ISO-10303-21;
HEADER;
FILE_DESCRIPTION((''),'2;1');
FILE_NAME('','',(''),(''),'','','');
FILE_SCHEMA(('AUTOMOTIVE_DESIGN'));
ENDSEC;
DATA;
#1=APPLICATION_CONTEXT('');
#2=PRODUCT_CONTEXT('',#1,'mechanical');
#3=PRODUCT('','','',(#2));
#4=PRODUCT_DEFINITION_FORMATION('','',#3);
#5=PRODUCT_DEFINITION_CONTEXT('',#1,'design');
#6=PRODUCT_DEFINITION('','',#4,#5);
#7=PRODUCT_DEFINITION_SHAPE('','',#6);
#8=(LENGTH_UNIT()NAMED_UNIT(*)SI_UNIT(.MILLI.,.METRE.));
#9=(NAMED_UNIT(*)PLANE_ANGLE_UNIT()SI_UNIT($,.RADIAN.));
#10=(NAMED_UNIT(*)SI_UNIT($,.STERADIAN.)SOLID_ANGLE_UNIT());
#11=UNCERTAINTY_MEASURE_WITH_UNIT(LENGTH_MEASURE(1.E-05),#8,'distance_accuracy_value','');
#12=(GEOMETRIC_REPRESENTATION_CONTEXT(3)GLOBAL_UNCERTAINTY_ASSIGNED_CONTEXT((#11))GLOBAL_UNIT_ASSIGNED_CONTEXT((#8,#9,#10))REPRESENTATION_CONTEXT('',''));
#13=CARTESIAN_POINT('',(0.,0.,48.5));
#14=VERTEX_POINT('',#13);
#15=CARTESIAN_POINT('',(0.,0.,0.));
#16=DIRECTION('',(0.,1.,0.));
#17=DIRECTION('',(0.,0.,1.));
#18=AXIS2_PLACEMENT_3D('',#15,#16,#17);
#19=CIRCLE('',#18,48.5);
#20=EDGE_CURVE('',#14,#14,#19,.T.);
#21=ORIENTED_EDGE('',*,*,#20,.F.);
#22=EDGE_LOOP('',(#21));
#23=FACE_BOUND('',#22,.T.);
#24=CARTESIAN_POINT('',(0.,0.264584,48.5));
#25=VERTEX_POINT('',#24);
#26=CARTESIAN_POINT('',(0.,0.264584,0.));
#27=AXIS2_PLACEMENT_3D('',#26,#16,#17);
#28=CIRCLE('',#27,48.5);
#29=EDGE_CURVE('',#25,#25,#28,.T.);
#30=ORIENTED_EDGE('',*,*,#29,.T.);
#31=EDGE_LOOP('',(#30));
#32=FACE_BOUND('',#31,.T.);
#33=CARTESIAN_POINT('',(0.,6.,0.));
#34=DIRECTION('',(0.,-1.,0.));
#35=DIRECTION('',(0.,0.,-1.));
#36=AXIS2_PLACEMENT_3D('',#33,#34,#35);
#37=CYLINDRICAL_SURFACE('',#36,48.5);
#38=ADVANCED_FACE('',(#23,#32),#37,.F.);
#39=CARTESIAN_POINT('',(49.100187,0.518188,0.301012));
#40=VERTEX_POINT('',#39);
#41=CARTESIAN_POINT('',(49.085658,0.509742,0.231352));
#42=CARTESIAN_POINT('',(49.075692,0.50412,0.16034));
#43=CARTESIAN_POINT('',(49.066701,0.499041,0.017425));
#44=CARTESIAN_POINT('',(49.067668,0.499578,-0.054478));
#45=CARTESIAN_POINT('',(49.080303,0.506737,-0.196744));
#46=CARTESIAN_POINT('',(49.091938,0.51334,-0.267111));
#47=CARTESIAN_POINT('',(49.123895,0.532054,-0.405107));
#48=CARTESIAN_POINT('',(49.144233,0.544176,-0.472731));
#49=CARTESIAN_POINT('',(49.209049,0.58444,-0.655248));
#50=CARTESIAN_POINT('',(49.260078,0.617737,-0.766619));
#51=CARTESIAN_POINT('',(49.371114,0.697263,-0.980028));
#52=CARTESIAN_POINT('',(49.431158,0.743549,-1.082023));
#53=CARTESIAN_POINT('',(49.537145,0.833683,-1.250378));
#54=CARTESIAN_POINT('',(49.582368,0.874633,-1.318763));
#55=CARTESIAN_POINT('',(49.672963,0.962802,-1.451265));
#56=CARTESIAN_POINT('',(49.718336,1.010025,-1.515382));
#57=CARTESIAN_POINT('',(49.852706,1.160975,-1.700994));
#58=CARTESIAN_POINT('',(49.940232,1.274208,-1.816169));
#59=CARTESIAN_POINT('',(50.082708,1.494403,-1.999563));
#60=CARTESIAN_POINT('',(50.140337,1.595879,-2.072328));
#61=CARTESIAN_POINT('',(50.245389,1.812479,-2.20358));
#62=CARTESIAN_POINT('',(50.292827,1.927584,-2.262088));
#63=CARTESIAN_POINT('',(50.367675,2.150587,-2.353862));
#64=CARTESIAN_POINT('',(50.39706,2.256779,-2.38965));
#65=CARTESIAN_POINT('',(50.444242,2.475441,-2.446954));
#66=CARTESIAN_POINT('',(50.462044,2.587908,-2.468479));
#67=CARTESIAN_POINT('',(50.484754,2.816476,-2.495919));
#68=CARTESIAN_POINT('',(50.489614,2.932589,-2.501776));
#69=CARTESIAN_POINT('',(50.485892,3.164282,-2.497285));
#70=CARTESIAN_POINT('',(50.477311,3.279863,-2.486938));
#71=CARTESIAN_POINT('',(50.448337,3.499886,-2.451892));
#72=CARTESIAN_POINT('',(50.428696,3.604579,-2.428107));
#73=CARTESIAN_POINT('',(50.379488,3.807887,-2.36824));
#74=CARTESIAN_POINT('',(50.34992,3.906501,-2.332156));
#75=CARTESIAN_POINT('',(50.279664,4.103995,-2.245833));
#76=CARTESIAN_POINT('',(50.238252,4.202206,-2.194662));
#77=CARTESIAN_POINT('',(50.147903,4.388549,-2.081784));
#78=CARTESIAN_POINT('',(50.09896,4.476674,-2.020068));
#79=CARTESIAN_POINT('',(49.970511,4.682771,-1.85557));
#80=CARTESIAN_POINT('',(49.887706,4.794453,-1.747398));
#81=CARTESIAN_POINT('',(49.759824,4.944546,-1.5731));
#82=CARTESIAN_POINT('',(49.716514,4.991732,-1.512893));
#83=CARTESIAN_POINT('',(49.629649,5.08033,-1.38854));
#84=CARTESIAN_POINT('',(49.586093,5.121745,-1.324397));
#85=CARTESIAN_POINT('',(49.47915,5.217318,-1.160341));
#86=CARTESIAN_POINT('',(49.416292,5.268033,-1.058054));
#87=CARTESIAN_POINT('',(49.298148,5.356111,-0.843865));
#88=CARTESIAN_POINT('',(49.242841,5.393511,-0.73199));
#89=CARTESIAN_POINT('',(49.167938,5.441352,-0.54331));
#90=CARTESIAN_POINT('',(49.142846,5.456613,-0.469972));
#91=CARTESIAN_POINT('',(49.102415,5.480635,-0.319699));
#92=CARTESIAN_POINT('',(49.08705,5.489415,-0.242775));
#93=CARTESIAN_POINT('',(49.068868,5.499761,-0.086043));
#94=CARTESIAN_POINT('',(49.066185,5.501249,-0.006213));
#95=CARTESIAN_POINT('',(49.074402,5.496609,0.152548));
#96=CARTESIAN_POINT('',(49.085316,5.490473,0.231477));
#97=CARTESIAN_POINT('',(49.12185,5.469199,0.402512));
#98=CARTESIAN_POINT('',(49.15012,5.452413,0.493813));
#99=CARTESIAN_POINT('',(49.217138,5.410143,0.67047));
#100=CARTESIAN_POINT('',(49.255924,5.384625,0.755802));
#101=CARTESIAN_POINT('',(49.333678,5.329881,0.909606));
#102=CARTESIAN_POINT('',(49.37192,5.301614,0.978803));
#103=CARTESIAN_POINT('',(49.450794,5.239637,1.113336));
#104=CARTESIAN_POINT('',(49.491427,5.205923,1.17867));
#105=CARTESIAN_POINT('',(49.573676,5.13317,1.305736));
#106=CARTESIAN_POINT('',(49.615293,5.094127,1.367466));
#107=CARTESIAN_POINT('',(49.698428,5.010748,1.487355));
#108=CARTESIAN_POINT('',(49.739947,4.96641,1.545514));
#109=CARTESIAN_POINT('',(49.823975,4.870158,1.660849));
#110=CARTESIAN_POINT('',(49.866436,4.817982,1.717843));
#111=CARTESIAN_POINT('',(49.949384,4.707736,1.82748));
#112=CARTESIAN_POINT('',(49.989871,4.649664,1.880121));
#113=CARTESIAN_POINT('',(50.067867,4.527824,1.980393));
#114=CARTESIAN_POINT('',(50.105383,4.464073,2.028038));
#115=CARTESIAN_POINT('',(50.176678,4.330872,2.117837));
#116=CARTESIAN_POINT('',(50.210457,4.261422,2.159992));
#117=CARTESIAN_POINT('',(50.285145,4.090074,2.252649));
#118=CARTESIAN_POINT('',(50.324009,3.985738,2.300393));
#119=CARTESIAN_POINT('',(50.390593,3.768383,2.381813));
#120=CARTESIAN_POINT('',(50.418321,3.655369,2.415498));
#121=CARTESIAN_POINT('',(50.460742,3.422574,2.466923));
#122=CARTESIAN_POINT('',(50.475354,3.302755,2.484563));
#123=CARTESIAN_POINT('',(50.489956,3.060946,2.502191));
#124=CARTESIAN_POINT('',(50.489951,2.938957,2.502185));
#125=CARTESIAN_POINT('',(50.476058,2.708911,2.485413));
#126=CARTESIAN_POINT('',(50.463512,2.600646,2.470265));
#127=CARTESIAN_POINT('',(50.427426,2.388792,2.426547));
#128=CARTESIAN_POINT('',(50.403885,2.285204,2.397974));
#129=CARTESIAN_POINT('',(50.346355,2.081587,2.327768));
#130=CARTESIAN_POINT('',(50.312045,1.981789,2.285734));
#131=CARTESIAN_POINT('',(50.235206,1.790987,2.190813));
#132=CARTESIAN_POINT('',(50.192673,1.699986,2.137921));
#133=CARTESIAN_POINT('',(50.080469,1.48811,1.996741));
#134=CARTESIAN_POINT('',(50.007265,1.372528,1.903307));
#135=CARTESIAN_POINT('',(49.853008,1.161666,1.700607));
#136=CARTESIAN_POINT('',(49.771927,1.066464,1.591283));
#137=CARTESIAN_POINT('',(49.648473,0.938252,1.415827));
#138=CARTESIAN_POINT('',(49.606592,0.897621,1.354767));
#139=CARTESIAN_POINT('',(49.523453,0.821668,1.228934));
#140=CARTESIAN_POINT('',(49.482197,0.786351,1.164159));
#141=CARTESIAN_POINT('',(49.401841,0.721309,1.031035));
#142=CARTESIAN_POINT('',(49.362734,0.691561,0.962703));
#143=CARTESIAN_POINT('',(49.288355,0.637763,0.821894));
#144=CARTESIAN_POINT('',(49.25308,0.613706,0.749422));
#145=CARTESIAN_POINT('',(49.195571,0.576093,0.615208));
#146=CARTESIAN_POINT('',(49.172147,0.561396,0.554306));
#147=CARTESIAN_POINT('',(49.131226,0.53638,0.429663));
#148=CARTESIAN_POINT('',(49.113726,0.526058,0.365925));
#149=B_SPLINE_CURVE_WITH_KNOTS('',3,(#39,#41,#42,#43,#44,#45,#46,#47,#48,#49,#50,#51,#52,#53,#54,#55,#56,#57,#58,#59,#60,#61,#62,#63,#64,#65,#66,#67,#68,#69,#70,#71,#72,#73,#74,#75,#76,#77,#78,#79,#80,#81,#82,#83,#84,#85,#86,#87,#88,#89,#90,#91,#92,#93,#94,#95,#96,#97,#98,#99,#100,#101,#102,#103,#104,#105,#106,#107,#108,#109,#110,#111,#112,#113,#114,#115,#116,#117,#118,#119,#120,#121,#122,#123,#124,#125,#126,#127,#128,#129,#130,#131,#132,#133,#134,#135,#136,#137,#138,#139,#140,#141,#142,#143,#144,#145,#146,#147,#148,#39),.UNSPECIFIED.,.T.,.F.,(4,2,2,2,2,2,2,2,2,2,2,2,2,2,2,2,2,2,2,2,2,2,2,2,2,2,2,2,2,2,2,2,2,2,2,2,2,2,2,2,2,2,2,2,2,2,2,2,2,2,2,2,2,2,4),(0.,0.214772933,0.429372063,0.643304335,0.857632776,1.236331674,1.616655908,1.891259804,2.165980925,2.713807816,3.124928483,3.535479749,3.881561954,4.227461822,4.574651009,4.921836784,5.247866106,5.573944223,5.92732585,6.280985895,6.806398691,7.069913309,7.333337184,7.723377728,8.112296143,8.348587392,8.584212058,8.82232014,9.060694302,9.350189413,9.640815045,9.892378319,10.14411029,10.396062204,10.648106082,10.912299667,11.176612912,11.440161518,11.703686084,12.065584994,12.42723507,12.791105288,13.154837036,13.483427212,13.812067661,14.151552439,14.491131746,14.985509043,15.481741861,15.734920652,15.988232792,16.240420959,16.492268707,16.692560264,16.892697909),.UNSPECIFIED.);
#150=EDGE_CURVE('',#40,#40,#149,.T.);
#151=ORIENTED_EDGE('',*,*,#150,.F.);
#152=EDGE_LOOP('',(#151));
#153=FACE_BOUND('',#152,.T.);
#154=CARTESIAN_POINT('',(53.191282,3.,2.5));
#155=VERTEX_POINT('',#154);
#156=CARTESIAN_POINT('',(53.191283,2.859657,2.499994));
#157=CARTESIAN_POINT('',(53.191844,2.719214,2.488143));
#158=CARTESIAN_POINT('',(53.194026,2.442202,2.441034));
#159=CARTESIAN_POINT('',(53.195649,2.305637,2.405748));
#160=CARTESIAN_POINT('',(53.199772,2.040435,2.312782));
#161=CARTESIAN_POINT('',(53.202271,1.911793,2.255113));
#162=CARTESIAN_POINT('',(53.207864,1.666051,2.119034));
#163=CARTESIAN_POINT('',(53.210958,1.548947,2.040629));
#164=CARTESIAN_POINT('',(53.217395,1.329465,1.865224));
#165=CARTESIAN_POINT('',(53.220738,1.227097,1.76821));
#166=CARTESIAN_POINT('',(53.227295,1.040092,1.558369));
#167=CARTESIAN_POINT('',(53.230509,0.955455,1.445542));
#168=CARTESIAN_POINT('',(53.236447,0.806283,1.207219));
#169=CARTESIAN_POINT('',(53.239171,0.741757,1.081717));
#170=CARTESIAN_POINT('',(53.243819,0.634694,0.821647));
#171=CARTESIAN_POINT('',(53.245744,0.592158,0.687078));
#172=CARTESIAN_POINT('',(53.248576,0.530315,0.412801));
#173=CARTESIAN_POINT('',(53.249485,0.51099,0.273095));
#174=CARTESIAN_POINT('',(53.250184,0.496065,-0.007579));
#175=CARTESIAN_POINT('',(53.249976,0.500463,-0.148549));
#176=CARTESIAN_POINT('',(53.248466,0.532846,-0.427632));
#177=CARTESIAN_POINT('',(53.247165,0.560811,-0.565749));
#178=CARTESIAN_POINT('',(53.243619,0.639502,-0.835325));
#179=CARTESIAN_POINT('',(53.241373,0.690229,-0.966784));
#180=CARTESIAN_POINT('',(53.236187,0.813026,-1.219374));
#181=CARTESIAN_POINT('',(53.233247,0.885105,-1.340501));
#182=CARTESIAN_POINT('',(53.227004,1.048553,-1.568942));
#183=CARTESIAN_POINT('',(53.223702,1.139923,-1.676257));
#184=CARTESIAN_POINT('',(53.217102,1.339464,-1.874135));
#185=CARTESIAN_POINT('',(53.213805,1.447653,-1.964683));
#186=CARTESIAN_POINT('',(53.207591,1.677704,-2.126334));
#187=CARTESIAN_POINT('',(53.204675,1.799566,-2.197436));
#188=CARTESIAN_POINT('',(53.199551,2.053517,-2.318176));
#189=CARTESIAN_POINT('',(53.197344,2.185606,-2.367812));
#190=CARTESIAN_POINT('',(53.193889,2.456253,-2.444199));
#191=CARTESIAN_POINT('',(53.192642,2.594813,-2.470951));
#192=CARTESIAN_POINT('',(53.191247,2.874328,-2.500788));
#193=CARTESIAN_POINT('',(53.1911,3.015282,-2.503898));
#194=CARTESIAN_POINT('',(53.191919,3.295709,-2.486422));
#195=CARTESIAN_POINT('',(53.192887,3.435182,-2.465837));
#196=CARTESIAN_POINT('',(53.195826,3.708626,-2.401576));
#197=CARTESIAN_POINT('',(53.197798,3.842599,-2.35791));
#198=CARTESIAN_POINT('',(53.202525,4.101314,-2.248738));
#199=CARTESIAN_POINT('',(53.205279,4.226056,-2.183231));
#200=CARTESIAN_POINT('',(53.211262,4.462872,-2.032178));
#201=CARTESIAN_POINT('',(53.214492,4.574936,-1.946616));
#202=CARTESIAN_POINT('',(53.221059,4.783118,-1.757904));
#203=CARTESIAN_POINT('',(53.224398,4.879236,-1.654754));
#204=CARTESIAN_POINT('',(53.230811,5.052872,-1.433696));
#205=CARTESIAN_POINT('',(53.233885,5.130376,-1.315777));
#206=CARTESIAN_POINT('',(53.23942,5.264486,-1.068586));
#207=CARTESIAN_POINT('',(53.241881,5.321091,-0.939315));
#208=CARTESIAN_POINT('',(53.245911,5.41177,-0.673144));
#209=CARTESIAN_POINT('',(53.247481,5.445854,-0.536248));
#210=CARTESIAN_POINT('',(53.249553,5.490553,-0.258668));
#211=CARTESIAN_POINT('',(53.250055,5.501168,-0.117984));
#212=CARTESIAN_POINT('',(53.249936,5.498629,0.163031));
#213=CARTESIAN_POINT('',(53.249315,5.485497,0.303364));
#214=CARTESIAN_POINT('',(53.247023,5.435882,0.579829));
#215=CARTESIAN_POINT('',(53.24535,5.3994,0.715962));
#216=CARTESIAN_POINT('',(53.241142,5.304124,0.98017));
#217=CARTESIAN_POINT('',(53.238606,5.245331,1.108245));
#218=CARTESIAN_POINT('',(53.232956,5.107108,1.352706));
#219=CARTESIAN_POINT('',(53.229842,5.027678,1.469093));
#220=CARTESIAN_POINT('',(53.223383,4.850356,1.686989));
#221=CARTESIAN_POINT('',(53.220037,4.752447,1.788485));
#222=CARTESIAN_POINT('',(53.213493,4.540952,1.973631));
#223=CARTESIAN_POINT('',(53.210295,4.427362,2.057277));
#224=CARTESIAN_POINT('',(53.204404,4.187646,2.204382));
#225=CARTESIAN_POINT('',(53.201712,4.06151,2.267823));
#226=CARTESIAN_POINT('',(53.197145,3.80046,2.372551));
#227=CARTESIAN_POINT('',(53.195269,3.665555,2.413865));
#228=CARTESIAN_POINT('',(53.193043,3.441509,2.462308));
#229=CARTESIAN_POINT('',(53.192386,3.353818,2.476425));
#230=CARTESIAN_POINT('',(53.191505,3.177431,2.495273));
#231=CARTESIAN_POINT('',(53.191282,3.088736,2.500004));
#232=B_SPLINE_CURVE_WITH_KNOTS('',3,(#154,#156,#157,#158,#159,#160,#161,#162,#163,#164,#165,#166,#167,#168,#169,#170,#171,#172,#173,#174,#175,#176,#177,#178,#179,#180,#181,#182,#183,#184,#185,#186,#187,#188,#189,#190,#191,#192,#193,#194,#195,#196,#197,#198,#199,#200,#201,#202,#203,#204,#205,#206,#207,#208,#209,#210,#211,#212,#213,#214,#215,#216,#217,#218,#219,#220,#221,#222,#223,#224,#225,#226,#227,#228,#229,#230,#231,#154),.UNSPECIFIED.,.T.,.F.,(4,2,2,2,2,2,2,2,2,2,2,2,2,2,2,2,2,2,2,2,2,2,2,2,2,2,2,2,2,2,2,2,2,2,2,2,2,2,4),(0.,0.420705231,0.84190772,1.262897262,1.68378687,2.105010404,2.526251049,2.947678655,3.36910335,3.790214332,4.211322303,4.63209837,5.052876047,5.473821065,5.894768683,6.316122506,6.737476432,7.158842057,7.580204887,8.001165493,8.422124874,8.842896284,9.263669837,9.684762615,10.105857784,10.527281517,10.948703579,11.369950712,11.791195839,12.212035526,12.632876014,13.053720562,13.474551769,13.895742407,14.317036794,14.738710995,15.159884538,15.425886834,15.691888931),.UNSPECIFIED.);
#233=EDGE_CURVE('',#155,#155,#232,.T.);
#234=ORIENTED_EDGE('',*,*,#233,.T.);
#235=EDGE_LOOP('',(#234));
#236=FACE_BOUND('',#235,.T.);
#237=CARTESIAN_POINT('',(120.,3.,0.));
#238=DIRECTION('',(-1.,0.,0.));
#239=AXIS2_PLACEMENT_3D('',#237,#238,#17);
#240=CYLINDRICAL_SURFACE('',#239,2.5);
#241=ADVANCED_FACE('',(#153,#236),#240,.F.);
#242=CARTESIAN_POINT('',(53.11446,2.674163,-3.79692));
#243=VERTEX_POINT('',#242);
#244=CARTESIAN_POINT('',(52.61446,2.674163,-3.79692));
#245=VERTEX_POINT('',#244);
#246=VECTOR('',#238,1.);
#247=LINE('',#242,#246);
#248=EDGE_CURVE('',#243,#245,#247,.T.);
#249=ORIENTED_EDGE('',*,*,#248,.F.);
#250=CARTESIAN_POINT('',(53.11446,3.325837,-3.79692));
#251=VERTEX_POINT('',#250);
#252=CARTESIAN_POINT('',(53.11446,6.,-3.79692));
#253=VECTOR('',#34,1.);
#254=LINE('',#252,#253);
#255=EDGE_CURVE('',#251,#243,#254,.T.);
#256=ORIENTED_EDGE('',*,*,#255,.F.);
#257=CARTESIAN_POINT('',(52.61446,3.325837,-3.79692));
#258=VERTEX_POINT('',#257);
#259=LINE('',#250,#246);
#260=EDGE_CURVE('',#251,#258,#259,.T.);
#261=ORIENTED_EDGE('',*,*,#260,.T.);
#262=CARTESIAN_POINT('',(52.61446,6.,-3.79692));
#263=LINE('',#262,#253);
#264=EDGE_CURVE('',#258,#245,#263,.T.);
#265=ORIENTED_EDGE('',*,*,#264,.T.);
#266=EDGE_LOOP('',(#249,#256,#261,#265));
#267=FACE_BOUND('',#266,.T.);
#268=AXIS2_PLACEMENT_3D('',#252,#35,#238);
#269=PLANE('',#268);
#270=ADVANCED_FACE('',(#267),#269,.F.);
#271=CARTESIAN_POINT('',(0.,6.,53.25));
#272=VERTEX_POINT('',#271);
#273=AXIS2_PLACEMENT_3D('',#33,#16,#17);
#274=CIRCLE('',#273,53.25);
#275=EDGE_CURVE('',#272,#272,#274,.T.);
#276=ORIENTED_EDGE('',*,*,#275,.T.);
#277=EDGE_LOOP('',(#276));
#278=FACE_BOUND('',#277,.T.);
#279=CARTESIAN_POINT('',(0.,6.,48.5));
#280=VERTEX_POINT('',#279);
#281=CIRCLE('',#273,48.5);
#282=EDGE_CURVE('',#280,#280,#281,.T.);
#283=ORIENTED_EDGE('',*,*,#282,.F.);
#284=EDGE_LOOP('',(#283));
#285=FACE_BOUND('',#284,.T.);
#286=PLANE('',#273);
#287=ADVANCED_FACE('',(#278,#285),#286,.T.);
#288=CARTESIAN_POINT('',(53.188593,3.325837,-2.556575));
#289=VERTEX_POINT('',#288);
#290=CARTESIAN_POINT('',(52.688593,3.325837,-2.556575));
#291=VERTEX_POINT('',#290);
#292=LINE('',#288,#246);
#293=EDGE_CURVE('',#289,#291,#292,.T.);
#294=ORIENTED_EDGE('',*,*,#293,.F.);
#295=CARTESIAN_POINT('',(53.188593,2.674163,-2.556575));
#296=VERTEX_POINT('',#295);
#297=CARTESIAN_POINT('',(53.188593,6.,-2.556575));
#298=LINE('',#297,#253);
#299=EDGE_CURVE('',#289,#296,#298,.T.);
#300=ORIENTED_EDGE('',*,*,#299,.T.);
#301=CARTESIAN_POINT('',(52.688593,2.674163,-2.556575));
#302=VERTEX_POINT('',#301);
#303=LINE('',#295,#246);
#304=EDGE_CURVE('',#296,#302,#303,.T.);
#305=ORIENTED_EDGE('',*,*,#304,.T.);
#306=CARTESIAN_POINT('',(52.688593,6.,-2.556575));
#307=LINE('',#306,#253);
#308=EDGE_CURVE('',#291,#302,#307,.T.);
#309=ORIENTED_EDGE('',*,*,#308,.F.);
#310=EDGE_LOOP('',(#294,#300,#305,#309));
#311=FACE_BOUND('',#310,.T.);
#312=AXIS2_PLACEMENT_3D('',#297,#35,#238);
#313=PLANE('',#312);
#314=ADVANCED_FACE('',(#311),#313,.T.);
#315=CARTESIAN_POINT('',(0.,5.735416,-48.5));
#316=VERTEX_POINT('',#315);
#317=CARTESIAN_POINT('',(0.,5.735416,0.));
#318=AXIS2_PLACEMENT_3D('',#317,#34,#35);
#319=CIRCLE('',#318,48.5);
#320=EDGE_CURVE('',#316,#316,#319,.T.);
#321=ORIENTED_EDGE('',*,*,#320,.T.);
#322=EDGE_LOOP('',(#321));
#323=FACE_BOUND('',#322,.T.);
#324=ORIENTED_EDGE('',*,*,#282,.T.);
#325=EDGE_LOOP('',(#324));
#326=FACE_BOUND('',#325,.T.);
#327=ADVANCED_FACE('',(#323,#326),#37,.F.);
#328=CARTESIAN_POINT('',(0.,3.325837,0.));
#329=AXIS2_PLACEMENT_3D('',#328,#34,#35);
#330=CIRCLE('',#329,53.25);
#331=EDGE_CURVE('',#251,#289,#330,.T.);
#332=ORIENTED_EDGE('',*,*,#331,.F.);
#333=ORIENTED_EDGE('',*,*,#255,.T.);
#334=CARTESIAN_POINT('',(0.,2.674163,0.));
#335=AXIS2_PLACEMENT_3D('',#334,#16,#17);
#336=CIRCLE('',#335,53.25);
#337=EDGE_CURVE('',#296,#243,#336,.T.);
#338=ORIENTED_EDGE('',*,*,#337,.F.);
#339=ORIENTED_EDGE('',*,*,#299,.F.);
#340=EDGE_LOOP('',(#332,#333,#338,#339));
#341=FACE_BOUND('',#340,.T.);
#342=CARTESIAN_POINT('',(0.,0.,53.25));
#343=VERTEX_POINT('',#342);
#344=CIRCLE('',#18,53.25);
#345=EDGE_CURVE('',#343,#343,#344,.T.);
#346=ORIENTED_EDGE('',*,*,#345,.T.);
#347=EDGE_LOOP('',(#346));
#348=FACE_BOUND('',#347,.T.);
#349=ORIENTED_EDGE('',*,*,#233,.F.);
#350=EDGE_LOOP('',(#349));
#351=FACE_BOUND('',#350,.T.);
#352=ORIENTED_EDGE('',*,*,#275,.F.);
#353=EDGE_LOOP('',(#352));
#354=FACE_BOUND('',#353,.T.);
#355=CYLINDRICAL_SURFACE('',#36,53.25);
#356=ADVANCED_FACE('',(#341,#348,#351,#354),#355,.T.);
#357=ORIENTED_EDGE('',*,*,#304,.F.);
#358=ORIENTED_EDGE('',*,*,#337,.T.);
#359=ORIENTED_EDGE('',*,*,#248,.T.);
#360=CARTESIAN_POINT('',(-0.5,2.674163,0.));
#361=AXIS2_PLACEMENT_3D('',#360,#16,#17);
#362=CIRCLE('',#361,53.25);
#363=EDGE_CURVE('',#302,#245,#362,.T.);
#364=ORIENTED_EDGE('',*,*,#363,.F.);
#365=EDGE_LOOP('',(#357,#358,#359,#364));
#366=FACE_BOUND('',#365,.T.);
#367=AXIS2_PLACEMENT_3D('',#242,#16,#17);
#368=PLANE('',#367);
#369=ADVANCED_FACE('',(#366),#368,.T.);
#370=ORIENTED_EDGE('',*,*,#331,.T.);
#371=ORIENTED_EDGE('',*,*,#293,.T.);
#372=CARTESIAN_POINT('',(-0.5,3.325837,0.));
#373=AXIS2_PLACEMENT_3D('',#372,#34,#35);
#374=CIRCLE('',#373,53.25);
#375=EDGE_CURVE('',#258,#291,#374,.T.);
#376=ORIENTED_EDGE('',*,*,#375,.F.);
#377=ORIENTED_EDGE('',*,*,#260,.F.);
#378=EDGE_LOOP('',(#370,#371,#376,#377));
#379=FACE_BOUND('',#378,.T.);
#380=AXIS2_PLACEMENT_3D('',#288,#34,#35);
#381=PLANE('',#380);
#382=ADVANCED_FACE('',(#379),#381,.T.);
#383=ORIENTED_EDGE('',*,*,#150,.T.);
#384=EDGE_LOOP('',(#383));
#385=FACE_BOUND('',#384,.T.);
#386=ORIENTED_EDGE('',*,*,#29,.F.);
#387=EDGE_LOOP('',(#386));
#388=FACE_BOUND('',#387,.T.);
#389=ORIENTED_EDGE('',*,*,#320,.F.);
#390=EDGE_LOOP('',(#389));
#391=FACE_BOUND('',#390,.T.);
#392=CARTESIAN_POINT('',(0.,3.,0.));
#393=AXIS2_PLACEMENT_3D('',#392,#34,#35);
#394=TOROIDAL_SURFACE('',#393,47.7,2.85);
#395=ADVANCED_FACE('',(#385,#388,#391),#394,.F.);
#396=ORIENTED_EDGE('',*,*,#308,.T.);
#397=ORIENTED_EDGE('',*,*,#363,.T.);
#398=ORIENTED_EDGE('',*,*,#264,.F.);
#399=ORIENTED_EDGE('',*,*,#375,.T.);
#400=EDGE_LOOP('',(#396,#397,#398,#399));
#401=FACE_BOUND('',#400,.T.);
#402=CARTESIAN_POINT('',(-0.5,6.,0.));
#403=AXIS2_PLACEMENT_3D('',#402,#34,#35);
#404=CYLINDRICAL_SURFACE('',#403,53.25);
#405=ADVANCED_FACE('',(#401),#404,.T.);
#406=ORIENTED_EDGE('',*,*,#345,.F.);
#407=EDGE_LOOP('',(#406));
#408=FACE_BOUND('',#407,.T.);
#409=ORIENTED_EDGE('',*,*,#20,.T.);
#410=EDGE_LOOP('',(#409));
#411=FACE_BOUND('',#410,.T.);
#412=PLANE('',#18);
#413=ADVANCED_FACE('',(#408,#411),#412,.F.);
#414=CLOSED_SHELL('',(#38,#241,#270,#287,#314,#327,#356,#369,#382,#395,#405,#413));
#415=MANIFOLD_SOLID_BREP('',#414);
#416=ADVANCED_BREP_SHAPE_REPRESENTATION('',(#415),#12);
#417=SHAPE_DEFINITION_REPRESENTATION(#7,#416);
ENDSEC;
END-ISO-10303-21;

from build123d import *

# Parameters (mm, degrees)
SKETCH1_R                 = 53.25
SKETCH1_R_2               = 48.5
BOSS_EXTRUDE1_DEPTH       = 6
SKETCH3_R                 = 2.85
SKETCH4_R                 = 2.5
CUT_EXTRUDE1_DEPTH        = 120
CUT_EXTRUDE2_REACH        = 78.046
CUT_EXTRUDE2_START_RADIUS = 53.25
CUT_EXTRUDE2_END_RADIUS   = 53.25
SKETCH6_W                 = 1.240344628
SKETCH6_H                 = 0.651674146


with BuildPart() as part:
    # Sketch1 → Boss-Extrude1 (new body)
    with BuildSketch(Plane(origin=(0, 0, 0), x_dir=(1, 0, 0), z_dir=(0, 1, 0))):
        with Locations(Location((0, 0, 0), (0, 0, 270))):
            Circle(SKETCH1_R)
        with Locations(Location((0, 0, 0), (0, 0, 270))):
            Circle(SKETCH1_R_2, mode=Mode.SUBTRACT)
    extrude(amount=BOSS_EXTRUDE1_DEPTH)

    # Sketch3 → Cut-Revolve1 (revolve, cut)
    with BuildSketch(Plane.XY, mode=Mode.PRIVATE) as cut_revolve1_sk:
        with Locations((-47.7, 3)):
            Circle(SKETCH3_R)
    revolve(cut_revolve1_sk.sketch.rotate(Axis((0, 0, 0), (0, 1, 0)), 270), axis=Axis((0, 0, 0), (0, 1, 0)), mode=Mode.SUBTRACT)

    # Sketch4 → Cut-Extrude1 (cut)
    with BuildSketch(Plane(origin=(0, 0, 0), x_dir=(0, 0, -1), z_dir=(1, 0, 0))):
        with Locations(Location((0, 3, 0), (0, 0, 180))):
            Circle(SKETCH4_R)
    extrude(amount=CUT_EXTRUDE1_DEPTH, mode=Mode.SUBTRACT)

    # Cut-Extrude2: from a cylinder face, 78.046 long prism both ways, kept between that surface and its translate by the depth
    cut_extrude2_start = Plane(origin=(0, 3, 0), z_dir=(0, -1, 0)) * Cylinder(CUT_EXTRUDE2_START_RADIUS, 263.592, mode=Mode.PRIVATE)
    cut_extrude2_end = Plane(origin=(-0.5, 3, 0), z_dir=(0, -1, 0)) * Cylinder(CUT_EXTRUDE2_END_RADIUS, 263.592, mode=Mode.PRIVATE)
    # Sketch6 → Cut-Extrude2 (cut, from a surface)
    with BuildSketch(Plane(origin=(0, 0, 0), x_dir=(0, 0, -1), z_dir=(1, 0, 0)), mode=Mode.PRIVATE) as cut_extrude2_sk1:
        with Locations((3.176747556, 3)):
            Rectangle(SKETCH6_W, SKETCH6_H)
    cut_extrude2_tool1 = extrude(cut_extrude2_sk1.sketch, amount=CUT_EXTRUDE2_REACH, both=True, mode=Mode.PRIVATE)
    add(((cut_extrude2_tool1 & cut_extrude2_start) - cut_extrude2_end).solids().sort_by_distance((52.901527, 3, -3.176748))[0], mode=Mode.SUBTRACT)


solid = part.part
